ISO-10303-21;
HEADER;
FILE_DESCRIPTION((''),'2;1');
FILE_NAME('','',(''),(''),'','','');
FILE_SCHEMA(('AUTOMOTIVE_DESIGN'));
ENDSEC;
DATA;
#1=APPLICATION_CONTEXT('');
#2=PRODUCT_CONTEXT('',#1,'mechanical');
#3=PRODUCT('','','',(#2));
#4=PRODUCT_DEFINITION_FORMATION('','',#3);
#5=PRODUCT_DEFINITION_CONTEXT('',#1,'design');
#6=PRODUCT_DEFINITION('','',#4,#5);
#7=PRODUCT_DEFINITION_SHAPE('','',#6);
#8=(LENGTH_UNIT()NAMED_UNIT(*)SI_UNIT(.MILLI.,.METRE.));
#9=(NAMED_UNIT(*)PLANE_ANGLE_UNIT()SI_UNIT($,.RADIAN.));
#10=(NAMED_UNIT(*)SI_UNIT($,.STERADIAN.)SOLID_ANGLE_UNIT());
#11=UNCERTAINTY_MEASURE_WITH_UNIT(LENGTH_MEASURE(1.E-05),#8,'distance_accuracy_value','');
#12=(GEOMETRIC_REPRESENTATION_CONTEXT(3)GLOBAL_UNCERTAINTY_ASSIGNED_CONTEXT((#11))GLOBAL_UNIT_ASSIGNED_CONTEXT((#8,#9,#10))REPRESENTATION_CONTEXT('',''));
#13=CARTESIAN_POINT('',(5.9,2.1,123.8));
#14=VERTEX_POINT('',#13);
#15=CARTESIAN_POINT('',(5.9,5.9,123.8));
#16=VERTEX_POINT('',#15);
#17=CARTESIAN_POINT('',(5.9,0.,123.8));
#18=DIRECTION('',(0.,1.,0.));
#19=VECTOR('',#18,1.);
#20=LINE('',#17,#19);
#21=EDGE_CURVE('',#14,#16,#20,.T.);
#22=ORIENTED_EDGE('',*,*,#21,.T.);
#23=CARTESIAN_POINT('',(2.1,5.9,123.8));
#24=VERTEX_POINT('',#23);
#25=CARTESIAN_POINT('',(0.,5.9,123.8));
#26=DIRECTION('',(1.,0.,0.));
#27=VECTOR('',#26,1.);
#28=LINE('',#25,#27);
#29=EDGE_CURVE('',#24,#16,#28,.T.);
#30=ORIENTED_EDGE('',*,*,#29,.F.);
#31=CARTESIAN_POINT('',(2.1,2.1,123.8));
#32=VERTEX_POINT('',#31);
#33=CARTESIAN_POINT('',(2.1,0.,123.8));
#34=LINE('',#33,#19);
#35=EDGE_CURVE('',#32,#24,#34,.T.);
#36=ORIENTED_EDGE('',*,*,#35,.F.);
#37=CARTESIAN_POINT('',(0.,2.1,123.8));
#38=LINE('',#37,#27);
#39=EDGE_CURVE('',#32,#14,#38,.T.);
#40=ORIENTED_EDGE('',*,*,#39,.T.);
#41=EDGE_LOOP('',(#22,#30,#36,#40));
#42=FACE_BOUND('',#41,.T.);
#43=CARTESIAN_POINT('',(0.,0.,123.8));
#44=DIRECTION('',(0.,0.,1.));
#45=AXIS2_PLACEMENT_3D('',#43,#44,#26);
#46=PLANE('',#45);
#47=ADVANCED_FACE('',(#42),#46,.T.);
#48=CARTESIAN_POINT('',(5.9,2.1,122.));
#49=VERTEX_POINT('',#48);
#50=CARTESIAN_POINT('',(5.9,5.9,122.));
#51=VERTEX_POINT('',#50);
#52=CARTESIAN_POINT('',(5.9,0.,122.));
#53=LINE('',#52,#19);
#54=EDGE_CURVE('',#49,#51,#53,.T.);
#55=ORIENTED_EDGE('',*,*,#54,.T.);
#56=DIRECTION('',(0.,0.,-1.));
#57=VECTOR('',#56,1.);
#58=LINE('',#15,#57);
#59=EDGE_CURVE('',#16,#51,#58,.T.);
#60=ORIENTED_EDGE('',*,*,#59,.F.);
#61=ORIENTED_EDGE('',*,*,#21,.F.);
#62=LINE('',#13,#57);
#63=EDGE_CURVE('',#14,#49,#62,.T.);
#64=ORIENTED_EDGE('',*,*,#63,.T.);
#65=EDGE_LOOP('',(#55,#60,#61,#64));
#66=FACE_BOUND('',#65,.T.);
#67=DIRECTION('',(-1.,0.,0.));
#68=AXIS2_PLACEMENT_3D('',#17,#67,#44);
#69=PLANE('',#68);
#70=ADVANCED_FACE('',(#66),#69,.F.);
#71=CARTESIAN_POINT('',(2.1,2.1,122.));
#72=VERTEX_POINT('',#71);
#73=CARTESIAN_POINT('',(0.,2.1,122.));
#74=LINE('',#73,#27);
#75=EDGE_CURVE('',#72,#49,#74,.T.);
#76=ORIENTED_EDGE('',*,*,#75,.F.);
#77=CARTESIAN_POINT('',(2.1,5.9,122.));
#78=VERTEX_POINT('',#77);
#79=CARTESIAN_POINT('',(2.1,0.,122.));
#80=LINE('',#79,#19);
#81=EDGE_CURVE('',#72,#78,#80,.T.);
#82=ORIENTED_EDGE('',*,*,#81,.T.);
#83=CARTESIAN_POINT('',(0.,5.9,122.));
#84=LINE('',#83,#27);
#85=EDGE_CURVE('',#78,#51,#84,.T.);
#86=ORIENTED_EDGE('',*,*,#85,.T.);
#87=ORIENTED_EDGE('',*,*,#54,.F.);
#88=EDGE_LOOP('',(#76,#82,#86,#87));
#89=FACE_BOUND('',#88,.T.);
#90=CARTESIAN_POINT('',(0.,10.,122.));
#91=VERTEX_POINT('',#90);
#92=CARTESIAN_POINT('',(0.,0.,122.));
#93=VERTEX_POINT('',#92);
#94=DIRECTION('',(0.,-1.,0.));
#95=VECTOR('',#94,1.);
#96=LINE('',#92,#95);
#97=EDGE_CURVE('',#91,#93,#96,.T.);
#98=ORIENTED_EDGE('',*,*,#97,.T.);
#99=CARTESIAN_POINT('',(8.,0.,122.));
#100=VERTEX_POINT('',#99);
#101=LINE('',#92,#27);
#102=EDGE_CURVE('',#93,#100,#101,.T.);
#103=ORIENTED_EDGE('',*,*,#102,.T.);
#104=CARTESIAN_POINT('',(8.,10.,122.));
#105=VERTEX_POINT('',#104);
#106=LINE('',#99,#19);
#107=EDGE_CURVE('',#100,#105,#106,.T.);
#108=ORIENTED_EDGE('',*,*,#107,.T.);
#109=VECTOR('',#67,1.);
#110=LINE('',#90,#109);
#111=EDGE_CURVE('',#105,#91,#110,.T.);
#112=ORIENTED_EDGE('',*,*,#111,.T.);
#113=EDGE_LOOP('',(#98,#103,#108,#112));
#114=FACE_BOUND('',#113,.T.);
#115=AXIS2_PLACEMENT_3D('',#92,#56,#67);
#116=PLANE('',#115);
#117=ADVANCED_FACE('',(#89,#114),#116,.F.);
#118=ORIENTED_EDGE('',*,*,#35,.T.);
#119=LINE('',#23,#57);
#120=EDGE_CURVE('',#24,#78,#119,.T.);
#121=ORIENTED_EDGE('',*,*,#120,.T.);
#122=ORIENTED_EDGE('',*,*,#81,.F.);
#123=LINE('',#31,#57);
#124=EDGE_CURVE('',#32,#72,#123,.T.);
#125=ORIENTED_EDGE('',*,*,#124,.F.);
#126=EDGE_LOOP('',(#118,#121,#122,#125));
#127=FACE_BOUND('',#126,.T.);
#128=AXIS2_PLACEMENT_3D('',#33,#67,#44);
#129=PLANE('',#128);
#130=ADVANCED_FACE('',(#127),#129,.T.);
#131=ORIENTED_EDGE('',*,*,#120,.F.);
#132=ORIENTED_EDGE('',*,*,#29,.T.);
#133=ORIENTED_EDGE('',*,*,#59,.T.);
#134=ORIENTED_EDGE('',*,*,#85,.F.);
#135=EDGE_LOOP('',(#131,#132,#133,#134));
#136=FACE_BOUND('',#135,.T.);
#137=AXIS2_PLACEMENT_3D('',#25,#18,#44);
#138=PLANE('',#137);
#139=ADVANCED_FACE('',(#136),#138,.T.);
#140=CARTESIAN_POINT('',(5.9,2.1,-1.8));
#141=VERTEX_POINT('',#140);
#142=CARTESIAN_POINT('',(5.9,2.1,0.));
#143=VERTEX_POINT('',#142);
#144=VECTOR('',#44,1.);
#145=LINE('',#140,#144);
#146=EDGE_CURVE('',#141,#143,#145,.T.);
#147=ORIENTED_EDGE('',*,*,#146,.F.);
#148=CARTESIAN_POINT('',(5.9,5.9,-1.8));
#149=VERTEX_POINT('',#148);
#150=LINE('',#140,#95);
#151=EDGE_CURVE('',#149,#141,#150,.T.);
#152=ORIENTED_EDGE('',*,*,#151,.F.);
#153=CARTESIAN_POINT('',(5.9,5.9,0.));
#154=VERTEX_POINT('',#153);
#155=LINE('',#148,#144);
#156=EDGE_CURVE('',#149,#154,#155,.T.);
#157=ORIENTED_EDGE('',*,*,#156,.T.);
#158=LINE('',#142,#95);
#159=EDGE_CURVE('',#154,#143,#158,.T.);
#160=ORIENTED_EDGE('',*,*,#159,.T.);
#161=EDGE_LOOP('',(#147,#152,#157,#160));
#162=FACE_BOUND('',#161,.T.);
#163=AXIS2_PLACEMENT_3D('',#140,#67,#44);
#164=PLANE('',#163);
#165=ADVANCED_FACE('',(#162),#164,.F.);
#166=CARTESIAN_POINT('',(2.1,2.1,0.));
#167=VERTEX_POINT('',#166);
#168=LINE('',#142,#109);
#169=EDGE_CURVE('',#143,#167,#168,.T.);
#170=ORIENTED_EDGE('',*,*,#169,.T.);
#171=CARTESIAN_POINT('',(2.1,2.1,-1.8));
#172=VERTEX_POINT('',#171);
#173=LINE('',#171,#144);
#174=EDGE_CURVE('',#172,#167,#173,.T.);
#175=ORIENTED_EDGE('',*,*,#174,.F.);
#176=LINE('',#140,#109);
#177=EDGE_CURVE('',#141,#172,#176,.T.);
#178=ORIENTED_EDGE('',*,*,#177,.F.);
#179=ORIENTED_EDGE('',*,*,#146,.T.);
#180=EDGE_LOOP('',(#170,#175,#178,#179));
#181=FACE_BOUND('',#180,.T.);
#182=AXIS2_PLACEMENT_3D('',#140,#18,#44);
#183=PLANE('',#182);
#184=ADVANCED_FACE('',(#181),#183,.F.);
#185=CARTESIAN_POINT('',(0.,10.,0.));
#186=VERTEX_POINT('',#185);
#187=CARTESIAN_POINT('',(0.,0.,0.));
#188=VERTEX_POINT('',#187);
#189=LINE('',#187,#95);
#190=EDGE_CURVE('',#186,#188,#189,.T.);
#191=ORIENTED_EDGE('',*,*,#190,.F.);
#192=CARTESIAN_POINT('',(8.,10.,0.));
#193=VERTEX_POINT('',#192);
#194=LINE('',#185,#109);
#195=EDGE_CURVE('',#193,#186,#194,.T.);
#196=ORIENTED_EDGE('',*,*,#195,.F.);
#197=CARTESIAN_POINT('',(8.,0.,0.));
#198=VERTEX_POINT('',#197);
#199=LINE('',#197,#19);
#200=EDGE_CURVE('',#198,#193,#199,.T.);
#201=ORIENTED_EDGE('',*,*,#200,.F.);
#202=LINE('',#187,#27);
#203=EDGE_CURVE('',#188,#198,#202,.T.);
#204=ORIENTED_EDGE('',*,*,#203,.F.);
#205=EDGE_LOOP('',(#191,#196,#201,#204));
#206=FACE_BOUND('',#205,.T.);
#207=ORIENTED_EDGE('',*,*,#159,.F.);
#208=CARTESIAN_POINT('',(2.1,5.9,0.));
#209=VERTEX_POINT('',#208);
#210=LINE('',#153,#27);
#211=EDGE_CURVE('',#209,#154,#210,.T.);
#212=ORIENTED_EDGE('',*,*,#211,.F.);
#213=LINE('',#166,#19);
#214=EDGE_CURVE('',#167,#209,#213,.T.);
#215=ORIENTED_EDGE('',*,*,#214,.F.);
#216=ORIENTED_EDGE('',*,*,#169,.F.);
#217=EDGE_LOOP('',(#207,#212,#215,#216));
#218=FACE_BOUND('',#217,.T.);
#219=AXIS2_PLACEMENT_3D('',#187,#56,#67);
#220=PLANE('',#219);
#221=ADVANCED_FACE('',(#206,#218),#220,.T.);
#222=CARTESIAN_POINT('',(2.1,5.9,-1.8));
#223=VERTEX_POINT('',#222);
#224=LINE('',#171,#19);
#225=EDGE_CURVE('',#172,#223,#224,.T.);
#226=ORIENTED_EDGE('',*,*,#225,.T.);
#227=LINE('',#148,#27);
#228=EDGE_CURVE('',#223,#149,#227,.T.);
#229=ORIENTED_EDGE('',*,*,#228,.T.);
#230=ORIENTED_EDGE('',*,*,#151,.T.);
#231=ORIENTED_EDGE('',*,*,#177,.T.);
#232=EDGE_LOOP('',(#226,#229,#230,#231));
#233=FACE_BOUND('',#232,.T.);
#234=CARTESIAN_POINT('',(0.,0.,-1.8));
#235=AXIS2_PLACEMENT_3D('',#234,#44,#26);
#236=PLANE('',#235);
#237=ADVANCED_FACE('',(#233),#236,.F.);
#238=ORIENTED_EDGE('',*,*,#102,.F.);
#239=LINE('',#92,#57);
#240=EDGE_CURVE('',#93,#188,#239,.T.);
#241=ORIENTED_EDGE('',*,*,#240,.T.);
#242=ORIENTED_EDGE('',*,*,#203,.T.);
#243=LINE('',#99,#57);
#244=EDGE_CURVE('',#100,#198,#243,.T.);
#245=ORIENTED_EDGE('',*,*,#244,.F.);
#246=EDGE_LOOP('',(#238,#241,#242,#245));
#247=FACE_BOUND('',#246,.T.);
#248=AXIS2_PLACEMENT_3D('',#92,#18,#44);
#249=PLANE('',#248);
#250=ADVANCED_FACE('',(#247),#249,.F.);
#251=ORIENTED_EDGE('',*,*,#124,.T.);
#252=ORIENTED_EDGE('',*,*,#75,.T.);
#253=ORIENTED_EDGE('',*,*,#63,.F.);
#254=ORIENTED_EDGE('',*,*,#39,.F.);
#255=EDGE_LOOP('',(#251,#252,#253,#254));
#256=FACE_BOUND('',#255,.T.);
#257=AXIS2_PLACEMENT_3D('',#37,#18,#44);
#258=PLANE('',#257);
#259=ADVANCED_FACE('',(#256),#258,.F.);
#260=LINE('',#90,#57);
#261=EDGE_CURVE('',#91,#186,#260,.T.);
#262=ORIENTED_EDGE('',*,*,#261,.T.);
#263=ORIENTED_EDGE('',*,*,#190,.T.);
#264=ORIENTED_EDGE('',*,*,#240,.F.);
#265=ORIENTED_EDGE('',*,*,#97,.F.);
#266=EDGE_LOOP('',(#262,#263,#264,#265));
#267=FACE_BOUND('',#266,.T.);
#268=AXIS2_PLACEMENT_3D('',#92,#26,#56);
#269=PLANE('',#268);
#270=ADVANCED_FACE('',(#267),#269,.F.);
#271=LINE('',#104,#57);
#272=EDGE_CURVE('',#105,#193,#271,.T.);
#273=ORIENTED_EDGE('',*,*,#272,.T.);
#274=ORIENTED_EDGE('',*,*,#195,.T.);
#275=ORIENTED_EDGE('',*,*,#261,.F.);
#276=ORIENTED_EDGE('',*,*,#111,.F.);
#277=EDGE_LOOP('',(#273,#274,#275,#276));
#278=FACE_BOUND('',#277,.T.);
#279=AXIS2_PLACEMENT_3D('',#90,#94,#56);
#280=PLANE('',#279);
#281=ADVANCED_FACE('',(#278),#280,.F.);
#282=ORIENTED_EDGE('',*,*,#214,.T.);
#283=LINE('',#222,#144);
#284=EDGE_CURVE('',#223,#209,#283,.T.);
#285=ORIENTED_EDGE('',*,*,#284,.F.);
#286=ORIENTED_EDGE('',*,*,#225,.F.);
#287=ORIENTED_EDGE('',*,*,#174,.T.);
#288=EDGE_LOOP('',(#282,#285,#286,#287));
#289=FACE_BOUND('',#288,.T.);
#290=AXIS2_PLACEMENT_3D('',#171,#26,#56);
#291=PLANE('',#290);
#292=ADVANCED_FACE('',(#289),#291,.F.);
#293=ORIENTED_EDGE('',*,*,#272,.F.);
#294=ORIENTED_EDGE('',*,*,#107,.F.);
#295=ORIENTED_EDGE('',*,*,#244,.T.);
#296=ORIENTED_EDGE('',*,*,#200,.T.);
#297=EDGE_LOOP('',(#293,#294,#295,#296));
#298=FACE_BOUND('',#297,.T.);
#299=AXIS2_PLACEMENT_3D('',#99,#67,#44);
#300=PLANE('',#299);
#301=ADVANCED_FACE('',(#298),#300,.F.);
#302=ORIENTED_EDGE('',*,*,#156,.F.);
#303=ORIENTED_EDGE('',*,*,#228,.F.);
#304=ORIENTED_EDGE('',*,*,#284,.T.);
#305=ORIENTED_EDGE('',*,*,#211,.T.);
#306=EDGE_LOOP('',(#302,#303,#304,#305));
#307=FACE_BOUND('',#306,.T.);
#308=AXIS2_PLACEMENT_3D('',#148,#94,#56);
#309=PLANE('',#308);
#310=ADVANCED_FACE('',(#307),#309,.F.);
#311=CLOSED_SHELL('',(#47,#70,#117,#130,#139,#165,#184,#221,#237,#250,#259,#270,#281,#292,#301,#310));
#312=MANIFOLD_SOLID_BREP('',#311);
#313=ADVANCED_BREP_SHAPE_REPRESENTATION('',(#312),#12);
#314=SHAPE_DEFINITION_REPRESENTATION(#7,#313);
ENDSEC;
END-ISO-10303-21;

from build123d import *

# Parameters (mm, degrees)
SKETCH1_W           = 8
SKETCH1_H           = 10
BOSS_EXTRUDE1_DEPTH = 122
SKETCH2_W           = 3.8
SKETCH2_H           = 3.8
BOSS_EXTRUDE2_DEPTH = 1.8
SKETCH3_W           = 3.8
SKETCH3_H           = 3.8
BOSS_EXTRUDE3_DEPTH = 1.8


with BuildPart() as part:
    # Sketch1 → Boss-Extrude1 (new body)
    with BuildSketch(Plane.XY):
        with Locations((4, 5)):
            Rectangle(SKETCH1_W, SKETCH1_H)
    extrude(amount=BOSS_EXTRUDE1_DEPTH)

    # Sketch2 → Boss-Extrude2 (add)
    with BuildSketch(Plane(origin=(0, 0, 0), x_dir=(-1, 0, 0), z_dir=(0, 0, -1))):
        with Locations((-4, 4)):
            Rectangle(SKETCH2_W, SKETCH2_H)
    extrude(amount=BOSS_EXTRUDE2_DEPTH)

    # Sketch3 → Boss-Extrude3 (add)
    with BuildSketch(Plane.XY.offset(122)):
        with Locations((4, 4)):
            Rectangle(SKETCH3_W, SKETCH3_H)
    extrude(amount=BOSS_EXTRUDE3_DEPTH)


solid = part.part
